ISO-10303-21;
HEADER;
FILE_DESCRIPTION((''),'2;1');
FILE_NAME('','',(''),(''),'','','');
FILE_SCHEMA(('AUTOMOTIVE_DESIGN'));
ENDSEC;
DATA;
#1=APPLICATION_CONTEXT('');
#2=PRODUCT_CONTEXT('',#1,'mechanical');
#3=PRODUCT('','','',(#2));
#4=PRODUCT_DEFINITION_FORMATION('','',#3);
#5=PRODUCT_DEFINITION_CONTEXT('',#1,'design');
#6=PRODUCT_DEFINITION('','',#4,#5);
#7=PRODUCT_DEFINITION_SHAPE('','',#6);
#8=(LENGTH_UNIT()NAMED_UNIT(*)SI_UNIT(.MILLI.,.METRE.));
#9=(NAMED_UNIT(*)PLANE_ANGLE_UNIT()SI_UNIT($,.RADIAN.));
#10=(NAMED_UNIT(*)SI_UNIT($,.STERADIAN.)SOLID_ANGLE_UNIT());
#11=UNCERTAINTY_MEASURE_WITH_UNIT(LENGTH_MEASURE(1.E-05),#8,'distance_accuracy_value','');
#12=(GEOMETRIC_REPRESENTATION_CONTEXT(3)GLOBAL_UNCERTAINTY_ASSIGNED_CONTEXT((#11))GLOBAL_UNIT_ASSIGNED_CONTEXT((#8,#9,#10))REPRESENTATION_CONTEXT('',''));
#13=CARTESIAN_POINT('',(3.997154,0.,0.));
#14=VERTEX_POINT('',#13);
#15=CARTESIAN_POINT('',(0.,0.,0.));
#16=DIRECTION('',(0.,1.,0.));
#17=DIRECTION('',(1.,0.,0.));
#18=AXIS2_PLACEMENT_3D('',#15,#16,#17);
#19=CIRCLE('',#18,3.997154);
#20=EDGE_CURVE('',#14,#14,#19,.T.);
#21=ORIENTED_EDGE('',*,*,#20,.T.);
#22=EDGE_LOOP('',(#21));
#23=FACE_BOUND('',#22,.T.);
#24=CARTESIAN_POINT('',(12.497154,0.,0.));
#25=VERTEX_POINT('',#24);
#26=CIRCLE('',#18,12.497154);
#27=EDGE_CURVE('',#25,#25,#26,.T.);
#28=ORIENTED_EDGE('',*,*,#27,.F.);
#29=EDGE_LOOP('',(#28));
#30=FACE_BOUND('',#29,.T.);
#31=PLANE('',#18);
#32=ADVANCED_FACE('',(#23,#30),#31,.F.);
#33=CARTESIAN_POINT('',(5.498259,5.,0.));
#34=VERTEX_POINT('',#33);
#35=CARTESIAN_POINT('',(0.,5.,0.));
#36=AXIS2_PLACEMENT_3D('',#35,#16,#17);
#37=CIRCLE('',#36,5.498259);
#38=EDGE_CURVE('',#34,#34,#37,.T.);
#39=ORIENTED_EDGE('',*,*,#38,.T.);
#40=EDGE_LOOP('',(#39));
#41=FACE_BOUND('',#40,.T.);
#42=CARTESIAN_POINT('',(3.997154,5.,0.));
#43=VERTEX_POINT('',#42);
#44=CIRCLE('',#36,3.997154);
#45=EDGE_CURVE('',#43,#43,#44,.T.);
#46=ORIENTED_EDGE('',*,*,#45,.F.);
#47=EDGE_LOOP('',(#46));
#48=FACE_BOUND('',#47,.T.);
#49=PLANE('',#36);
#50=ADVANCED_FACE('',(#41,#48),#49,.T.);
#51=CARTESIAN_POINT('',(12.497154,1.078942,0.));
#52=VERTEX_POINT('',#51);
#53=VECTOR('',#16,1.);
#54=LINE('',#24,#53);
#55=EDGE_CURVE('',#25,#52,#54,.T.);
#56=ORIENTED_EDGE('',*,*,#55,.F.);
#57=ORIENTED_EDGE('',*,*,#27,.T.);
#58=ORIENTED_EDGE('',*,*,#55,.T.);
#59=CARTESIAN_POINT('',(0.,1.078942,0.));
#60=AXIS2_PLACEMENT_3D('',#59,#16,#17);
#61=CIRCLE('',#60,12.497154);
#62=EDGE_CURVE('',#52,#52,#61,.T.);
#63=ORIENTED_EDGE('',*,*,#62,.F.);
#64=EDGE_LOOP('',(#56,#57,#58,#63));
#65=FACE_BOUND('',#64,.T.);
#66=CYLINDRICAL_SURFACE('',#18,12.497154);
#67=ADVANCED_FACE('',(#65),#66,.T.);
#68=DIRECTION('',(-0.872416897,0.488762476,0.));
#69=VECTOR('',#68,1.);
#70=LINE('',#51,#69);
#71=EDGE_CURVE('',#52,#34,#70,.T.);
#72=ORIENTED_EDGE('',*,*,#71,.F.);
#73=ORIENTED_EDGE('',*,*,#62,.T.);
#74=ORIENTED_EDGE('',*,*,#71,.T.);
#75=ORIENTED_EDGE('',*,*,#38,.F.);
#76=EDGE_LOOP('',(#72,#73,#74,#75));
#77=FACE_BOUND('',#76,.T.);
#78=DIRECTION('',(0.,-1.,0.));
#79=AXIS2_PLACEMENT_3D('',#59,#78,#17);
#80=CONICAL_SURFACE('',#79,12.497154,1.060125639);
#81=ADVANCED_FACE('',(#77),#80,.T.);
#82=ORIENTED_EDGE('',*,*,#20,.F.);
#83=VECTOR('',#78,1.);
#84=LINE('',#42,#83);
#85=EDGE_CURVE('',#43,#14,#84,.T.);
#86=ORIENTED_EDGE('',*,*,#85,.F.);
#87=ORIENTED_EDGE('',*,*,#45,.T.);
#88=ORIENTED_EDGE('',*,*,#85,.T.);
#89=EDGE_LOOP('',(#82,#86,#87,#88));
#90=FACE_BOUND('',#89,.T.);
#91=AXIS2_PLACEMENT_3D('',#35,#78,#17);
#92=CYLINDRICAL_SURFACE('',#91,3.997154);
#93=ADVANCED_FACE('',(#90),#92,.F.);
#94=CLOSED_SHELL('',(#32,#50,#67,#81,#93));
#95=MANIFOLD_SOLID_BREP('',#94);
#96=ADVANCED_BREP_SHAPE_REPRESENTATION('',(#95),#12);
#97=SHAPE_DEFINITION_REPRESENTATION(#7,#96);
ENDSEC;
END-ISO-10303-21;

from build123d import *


with BuildPart() as part:
    # Sketch → Revolution (revolve)
    with BuildSketch(Plane.XY):
        Polygon((3.997154, 0), (12.497154, 0), (12.497154, 1.078942), (5.498259, 5), (3.997154, 5), align=None)
    revolve(axis=Axis((0, 0, 0), (0, 1, 0)))


solid = part.part
